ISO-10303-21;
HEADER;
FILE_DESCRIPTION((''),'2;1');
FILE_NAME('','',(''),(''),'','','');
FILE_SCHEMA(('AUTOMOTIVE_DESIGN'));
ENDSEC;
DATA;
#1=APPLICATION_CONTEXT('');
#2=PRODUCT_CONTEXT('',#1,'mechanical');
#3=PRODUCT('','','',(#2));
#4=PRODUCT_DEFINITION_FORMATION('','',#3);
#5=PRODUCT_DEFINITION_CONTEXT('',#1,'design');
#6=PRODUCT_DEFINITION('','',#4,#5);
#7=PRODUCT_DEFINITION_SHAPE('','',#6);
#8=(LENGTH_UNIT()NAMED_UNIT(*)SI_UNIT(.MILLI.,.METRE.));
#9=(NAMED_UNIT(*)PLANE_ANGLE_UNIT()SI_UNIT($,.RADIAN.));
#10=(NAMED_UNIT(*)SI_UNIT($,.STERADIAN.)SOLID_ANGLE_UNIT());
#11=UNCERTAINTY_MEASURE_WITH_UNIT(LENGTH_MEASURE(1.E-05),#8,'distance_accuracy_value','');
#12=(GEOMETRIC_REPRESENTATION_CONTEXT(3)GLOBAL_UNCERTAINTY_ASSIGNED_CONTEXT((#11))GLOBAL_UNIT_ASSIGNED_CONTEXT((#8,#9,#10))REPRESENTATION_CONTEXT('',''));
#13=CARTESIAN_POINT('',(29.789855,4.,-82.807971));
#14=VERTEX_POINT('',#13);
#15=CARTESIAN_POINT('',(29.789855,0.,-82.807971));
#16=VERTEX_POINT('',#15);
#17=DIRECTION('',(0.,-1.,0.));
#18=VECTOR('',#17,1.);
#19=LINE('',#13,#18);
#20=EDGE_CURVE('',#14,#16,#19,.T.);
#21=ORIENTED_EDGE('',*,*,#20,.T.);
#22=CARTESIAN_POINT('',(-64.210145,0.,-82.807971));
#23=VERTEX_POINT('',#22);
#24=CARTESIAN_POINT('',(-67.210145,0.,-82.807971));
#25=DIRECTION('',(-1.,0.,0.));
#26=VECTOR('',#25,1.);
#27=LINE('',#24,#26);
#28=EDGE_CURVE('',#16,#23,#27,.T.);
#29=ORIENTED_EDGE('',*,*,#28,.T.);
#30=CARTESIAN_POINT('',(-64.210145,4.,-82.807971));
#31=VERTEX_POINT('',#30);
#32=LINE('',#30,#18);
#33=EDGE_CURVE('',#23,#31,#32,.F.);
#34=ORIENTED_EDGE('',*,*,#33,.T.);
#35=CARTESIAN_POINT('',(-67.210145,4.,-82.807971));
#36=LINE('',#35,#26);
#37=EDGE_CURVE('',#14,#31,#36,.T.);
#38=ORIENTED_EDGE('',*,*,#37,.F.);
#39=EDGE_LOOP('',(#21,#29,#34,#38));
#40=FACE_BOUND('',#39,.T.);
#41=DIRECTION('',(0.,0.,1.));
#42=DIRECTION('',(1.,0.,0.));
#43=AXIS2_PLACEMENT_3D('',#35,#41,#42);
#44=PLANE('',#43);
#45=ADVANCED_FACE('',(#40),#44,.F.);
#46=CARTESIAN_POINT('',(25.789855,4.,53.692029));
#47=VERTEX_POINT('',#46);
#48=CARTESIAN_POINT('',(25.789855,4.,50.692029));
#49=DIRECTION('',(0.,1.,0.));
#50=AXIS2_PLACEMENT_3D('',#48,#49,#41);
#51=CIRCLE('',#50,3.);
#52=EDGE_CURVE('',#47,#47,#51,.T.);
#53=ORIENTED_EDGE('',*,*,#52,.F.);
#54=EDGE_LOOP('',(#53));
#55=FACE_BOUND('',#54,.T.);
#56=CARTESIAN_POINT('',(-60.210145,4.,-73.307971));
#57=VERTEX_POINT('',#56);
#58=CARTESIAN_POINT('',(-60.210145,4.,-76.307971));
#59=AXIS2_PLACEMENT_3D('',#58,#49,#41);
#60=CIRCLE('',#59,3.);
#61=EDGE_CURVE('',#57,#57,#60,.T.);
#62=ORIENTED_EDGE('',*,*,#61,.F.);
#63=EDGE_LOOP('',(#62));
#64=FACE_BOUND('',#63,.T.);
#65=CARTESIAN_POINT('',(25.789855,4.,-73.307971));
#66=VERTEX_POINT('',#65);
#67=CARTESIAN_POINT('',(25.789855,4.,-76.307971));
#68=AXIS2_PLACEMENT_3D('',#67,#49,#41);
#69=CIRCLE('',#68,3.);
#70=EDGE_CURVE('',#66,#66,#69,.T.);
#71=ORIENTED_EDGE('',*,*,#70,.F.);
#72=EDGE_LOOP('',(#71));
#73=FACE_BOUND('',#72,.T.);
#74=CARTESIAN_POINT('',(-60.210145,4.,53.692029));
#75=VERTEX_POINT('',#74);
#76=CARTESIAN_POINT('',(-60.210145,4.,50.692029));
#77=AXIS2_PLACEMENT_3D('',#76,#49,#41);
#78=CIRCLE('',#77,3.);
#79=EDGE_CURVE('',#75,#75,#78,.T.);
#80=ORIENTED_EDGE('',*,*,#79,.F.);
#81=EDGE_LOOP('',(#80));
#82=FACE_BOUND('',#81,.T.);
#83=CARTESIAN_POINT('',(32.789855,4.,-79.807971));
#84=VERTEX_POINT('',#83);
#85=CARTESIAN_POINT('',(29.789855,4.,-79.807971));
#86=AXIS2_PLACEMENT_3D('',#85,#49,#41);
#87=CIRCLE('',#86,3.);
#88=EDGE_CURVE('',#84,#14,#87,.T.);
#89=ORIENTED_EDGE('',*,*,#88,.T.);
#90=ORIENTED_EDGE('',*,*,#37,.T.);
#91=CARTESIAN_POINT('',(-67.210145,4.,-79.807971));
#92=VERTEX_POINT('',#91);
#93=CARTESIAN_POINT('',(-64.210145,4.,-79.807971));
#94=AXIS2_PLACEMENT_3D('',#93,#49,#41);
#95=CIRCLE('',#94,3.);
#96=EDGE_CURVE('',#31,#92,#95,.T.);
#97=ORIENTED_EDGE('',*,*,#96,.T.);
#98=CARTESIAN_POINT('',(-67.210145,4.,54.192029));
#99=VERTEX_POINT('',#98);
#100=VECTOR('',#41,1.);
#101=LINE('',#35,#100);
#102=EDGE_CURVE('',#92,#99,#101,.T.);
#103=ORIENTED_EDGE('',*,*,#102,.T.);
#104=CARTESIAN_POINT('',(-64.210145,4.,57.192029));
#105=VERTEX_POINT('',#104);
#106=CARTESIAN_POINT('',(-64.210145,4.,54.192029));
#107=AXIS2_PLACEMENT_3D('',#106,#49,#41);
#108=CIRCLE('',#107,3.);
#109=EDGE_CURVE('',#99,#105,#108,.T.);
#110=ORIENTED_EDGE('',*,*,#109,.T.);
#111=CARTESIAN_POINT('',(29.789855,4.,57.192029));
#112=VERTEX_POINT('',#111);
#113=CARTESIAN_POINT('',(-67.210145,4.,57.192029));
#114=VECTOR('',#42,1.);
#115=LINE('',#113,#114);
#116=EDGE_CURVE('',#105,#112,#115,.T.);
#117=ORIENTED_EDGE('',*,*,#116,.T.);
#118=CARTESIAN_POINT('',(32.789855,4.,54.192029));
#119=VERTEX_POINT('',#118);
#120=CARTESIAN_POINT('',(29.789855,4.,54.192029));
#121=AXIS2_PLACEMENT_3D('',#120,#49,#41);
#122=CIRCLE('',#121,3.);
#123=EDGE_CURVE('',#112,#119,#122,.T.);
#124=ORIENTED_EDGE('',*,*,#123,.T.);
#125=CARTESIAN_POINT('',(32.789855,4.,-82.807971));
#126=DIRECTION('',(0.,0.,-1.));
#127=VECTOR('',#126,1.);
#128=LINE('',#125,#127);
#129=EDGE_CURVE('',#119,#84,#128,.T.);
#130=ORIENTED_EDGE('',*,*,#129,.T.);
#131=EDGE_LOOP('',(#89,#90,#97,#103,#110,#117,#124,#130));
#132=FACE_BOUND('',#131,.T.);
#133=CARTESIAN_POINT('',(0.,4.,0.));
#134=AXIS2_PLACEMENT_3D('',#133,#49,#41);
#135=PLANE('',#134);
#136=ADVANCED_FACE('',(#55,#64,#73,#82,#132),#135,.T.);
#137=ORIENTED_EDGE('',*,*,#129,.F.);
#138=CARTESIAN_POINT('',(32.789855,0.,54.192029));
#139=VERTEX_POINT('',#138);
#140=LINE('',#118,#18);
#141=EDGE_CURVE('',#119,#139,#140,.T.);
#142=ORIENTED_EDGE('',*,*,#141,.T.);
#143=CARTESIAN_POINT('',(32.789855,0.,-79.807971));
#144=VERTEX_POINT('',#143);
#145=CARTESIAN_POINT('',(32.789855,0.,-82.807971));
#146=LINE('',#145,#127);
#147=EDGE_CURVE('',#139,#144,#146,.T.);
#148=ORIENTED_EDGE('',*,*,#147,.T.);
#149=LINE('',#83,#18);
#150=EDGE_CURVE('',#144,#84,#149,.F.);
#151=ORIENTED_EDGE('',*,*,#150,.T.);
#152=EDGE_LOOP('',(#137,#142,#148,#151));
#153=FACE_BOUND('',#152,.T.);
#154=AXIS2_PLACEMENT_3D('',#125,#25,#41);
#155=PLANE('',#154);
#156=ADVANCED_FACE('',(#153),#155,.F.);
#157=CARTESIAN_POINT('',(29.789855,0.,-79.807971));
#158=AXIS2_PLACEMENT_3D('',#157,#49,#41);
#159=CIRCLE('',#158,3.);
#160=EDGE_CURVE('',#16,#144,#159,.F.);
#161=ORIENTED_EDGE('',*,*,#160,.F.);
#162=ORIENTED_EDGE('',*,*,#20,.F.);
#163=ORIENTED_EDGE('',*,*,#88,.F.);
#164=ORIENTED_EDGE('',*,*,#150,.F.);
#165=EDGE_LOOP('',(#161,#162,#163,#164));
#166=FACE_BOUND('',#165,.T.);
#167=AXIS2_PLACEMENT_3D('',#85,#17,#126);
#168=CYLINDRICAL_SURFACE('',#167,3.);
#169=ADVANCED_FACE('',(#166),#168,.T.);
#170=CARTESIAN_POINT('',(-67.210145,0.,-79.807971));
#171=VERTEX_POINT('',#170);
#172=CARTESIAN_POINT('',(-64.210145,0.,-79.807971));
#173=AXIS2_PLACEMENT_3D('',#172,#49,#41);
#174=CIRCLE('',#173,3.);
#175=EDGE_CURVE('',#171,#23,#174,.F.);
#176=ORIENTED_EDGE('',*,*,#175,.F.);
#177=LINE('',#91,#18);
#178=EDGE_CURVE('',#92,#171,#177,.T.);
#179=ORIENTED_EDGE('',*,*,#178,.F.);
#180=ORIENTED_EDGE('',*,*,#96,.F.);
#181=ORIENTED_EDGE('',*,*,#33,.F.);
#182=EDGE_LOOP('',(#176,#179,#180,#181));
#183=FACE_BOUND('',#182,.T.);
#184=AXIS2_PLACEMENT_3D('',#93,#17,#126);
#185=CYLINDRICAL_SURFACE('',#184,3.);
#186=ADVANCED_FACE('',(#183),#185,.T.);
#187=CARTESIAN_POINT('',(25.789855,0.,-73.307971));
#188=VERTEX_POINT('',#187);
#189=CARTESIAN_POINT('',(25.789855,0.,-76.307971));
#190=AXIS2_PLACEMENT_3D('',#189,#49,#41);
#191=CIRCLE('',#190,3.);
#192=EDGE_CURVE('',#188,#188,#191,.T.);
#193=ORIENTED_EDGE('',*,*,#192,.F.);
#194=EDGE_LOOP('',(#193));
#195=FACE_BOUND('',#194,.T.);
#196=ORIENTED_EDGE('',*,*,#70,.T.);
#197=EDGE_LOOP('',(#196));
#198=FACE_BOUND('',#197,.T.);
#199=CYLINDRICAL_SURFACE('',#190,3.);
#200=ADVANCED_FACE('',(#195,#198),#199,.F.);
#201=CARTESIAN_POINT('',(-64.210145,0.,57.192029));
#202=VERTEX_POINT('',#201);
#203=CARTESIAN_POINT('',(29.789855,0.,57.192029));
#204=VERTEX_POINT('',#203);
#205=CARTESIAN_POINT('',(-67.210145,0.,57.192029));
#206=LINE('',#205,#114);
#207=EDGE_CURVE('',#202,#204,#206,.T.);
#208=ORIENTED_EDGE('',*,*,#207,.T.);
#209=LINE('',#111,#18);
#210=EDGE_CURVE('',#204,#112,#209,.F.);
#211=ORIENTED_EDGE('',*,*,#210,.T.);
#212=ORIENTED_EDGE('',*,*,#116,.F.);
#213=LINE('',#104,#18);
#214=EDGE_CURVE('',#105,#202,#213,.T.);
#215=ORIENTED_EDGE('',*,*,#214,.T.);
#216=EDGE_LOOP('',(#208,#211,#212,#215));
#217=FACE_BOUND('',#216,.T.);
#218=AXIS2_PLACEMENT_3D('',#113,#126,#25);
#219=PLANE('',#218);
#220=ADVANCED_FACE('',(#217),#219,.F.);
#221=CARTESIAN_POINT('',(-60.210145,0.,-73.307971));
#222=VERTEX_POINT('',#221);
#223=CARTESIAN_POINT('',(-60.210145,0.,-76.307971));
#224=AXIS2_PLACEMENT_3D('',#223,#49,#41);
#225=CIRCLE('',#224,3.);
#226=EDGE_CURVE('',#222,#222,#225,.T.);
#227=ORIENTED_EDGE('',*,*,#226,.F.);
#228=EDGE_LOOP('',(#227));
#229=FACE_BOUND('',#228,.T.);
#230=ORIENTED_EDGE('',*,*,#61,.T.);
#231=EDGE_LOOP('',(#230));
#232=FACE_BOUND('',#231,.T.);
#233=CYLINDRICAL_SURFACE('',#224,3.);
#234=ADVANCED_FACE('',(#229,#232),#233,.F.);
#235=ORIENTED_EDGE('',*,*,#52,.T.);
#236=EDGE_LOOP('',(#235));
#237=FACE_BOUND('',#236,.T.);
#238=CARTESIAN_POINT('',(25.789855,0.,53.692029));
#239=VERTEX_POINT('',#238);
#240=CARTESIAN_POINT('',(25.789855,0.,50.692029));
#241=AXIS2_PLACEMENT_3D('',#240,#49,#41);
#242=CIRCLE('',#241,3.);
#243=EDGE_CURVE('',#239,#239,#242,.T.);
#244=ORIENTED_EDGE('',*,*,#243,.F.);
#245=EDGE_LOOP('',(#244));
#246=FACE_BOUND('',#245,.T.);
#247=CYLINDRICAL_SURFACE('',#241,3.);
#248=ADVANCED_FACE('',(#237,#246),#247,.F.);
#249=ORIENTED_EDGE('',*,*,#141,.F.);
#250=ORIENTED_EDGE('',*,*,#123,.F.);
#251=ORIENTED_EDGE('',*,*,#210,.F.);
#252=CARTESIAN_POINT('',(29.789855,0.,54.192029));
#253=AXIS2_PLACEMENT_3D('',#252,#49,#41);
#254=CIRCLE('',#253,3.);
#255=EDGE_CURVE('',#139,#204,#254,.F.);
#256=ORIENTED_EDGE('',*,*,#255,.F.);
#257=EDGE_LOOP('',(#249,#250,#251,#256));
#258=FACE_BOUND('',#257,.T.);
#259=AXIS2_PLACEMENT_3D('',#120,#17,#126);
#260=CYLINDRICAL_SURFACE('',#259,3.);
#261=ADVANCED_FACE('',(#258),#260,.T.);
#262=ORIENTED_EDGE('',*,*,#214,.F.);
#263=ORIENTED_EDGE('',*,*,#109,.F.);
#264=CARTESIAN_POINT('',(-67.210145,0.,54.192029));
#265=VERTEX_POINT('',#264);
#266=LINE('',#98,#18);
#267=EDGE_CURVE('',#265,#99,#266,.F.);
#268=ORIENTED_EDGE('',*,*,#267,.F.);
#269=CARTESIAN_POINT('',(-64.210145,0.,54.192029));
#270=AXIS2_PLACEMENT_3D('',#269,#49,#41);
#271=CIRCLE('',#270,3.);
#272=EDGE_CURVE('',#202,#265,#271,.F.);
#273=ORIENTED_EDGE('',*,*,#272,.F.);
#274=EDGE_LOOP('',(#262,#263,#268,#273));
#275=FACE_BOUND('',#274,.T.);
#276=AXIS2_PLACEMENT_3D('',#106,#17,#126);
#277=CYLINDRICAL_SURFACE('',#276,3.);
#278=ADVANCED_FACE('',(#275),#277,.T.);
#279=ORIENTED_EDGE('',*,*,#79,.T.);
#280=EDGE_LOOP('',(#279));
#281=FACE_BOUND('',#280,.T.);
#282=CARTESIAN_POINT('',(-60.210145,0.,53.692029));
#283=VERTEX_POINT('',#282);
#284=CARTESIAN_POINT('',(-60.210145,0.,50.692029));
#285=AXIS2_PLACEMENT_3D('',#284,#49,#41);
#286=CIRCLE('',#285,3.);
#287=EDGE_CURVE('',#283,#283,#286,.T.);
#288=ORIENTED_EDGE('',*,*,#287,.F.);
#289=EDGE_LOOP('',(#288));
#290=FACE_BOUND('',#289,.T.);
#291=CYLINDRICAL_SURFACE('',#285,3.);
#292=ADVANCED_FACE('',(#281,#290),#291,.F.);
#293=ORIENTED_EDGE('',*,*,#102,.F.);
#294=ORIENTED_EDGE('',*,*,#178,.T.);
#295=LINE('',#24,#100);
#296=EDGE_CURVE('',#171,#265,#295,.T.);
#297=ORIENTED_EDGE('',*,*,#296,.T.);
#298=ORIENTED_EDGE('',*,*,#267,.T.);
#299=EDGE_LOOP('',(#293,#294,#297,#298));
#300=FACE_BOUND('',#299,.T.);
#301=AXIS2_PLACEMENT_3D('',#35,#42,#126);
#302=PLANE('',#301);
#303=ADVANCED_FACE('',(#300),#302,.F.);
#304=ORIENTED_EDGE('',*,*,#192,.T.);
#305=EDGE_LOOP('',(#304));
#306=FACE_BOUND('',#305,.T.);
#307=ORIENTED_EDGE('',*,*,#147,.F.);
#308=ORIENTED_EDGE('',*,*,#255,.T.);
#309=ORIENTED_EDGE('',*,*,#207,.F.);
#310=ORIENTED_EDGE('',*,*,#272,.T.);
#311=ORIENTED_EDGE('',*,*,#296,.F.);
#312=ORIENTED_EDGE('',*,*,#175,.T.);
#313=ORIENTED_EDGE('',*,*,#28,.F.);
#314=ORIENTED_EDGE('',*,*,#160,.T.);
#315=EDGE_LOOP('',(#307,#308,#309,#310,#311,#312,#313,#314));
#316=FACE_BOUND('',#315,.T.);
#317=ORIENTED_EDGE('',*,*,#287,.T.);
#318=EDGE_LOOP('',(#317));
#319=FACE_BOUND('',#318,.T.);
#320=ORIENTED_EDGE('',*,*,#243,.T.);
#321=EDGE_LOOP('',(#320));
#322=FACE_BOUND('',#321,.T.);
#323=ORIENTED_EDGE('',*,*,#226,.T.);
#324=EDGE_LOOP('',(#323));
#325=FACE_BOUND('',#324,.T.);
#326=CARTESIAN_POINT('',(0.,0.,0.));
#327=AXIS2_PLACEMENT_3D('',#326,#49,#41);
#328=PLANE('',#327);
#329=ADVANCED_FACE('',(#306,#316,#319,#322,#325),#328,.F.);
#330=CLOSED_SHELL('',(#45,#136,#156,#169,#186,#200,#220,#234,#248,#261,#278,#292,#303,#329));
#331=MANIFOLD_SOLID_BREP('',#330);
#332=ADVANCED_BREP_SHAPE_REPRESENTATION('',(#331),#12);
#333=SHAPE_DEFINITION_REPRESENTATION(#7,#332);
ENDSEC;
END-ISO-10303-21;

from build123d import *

# Parameters (mm, degrees)
SKETCH1_W           = 100
SKETCH1_H           = 140
BOSS_EXTRUDE1_DEPTH = 4
SKETCH2_R           = 3
CUT_EXTRUDE1_DEPTH  = 4
FILLET1_R           = 3


with BuildPart() as part:
    # Sketch1 → Boss-Extrude1 (new body)
    with BuildSketch(Plane(origin=(0, 0, 0), x_dir=(1, 0, 0), z_dir=(0, 1, 0))):
        with Locations((-17.210144928, 12.807971014)):
            Rectangle(SKETCH1_W, SKETCH1_H)
    extrude(amount=BOSS_EXTRUDE1_DEPTH)

    # Sketch2 → Cut-Extrude1 (cut)
    with BuildSketch(Plane(origin=(0, 4, 0), x_dir=(1, 0, 0), z_dir=(0, 1, 0))):
        with Locations(Location((25.789855072, -50.692028986, 0), (0, 0, 270))):
            Circle(SKETCH2_R)
        with Locations(Location((-60.210144928, -50.692028986, 0), (0, 0, 270))):
            Circle(SKETCH2_R)
        with Locations(Location((25.789855072, 76.307971014, 0), (0, 0, 270))):
            Circle(SKETCH2_R)
        with Locations(Location((-60.210144928, 76.307971014, 0), (0, 0, 270))):
            Circle(SKETCH2_R)
    extrude(amount=-CUT_EXTRUDE1_DEPTH, mode=Mode.SUBTRACT)

    # Fillet1
    fillet1_edges = [part.edges().sort_by_distance(p)[0] for p in [
        (-67.210144928, 2, -82.807971014),
        (32.789855072, 2, -82.807971014),
        (32.789855072, 2, 57.192028986),
        (-67.210144928, 2, 57.192028986),
    ]]
    fillet(fillet1_edges, radius=FILLET1_R)


solid = part.part
